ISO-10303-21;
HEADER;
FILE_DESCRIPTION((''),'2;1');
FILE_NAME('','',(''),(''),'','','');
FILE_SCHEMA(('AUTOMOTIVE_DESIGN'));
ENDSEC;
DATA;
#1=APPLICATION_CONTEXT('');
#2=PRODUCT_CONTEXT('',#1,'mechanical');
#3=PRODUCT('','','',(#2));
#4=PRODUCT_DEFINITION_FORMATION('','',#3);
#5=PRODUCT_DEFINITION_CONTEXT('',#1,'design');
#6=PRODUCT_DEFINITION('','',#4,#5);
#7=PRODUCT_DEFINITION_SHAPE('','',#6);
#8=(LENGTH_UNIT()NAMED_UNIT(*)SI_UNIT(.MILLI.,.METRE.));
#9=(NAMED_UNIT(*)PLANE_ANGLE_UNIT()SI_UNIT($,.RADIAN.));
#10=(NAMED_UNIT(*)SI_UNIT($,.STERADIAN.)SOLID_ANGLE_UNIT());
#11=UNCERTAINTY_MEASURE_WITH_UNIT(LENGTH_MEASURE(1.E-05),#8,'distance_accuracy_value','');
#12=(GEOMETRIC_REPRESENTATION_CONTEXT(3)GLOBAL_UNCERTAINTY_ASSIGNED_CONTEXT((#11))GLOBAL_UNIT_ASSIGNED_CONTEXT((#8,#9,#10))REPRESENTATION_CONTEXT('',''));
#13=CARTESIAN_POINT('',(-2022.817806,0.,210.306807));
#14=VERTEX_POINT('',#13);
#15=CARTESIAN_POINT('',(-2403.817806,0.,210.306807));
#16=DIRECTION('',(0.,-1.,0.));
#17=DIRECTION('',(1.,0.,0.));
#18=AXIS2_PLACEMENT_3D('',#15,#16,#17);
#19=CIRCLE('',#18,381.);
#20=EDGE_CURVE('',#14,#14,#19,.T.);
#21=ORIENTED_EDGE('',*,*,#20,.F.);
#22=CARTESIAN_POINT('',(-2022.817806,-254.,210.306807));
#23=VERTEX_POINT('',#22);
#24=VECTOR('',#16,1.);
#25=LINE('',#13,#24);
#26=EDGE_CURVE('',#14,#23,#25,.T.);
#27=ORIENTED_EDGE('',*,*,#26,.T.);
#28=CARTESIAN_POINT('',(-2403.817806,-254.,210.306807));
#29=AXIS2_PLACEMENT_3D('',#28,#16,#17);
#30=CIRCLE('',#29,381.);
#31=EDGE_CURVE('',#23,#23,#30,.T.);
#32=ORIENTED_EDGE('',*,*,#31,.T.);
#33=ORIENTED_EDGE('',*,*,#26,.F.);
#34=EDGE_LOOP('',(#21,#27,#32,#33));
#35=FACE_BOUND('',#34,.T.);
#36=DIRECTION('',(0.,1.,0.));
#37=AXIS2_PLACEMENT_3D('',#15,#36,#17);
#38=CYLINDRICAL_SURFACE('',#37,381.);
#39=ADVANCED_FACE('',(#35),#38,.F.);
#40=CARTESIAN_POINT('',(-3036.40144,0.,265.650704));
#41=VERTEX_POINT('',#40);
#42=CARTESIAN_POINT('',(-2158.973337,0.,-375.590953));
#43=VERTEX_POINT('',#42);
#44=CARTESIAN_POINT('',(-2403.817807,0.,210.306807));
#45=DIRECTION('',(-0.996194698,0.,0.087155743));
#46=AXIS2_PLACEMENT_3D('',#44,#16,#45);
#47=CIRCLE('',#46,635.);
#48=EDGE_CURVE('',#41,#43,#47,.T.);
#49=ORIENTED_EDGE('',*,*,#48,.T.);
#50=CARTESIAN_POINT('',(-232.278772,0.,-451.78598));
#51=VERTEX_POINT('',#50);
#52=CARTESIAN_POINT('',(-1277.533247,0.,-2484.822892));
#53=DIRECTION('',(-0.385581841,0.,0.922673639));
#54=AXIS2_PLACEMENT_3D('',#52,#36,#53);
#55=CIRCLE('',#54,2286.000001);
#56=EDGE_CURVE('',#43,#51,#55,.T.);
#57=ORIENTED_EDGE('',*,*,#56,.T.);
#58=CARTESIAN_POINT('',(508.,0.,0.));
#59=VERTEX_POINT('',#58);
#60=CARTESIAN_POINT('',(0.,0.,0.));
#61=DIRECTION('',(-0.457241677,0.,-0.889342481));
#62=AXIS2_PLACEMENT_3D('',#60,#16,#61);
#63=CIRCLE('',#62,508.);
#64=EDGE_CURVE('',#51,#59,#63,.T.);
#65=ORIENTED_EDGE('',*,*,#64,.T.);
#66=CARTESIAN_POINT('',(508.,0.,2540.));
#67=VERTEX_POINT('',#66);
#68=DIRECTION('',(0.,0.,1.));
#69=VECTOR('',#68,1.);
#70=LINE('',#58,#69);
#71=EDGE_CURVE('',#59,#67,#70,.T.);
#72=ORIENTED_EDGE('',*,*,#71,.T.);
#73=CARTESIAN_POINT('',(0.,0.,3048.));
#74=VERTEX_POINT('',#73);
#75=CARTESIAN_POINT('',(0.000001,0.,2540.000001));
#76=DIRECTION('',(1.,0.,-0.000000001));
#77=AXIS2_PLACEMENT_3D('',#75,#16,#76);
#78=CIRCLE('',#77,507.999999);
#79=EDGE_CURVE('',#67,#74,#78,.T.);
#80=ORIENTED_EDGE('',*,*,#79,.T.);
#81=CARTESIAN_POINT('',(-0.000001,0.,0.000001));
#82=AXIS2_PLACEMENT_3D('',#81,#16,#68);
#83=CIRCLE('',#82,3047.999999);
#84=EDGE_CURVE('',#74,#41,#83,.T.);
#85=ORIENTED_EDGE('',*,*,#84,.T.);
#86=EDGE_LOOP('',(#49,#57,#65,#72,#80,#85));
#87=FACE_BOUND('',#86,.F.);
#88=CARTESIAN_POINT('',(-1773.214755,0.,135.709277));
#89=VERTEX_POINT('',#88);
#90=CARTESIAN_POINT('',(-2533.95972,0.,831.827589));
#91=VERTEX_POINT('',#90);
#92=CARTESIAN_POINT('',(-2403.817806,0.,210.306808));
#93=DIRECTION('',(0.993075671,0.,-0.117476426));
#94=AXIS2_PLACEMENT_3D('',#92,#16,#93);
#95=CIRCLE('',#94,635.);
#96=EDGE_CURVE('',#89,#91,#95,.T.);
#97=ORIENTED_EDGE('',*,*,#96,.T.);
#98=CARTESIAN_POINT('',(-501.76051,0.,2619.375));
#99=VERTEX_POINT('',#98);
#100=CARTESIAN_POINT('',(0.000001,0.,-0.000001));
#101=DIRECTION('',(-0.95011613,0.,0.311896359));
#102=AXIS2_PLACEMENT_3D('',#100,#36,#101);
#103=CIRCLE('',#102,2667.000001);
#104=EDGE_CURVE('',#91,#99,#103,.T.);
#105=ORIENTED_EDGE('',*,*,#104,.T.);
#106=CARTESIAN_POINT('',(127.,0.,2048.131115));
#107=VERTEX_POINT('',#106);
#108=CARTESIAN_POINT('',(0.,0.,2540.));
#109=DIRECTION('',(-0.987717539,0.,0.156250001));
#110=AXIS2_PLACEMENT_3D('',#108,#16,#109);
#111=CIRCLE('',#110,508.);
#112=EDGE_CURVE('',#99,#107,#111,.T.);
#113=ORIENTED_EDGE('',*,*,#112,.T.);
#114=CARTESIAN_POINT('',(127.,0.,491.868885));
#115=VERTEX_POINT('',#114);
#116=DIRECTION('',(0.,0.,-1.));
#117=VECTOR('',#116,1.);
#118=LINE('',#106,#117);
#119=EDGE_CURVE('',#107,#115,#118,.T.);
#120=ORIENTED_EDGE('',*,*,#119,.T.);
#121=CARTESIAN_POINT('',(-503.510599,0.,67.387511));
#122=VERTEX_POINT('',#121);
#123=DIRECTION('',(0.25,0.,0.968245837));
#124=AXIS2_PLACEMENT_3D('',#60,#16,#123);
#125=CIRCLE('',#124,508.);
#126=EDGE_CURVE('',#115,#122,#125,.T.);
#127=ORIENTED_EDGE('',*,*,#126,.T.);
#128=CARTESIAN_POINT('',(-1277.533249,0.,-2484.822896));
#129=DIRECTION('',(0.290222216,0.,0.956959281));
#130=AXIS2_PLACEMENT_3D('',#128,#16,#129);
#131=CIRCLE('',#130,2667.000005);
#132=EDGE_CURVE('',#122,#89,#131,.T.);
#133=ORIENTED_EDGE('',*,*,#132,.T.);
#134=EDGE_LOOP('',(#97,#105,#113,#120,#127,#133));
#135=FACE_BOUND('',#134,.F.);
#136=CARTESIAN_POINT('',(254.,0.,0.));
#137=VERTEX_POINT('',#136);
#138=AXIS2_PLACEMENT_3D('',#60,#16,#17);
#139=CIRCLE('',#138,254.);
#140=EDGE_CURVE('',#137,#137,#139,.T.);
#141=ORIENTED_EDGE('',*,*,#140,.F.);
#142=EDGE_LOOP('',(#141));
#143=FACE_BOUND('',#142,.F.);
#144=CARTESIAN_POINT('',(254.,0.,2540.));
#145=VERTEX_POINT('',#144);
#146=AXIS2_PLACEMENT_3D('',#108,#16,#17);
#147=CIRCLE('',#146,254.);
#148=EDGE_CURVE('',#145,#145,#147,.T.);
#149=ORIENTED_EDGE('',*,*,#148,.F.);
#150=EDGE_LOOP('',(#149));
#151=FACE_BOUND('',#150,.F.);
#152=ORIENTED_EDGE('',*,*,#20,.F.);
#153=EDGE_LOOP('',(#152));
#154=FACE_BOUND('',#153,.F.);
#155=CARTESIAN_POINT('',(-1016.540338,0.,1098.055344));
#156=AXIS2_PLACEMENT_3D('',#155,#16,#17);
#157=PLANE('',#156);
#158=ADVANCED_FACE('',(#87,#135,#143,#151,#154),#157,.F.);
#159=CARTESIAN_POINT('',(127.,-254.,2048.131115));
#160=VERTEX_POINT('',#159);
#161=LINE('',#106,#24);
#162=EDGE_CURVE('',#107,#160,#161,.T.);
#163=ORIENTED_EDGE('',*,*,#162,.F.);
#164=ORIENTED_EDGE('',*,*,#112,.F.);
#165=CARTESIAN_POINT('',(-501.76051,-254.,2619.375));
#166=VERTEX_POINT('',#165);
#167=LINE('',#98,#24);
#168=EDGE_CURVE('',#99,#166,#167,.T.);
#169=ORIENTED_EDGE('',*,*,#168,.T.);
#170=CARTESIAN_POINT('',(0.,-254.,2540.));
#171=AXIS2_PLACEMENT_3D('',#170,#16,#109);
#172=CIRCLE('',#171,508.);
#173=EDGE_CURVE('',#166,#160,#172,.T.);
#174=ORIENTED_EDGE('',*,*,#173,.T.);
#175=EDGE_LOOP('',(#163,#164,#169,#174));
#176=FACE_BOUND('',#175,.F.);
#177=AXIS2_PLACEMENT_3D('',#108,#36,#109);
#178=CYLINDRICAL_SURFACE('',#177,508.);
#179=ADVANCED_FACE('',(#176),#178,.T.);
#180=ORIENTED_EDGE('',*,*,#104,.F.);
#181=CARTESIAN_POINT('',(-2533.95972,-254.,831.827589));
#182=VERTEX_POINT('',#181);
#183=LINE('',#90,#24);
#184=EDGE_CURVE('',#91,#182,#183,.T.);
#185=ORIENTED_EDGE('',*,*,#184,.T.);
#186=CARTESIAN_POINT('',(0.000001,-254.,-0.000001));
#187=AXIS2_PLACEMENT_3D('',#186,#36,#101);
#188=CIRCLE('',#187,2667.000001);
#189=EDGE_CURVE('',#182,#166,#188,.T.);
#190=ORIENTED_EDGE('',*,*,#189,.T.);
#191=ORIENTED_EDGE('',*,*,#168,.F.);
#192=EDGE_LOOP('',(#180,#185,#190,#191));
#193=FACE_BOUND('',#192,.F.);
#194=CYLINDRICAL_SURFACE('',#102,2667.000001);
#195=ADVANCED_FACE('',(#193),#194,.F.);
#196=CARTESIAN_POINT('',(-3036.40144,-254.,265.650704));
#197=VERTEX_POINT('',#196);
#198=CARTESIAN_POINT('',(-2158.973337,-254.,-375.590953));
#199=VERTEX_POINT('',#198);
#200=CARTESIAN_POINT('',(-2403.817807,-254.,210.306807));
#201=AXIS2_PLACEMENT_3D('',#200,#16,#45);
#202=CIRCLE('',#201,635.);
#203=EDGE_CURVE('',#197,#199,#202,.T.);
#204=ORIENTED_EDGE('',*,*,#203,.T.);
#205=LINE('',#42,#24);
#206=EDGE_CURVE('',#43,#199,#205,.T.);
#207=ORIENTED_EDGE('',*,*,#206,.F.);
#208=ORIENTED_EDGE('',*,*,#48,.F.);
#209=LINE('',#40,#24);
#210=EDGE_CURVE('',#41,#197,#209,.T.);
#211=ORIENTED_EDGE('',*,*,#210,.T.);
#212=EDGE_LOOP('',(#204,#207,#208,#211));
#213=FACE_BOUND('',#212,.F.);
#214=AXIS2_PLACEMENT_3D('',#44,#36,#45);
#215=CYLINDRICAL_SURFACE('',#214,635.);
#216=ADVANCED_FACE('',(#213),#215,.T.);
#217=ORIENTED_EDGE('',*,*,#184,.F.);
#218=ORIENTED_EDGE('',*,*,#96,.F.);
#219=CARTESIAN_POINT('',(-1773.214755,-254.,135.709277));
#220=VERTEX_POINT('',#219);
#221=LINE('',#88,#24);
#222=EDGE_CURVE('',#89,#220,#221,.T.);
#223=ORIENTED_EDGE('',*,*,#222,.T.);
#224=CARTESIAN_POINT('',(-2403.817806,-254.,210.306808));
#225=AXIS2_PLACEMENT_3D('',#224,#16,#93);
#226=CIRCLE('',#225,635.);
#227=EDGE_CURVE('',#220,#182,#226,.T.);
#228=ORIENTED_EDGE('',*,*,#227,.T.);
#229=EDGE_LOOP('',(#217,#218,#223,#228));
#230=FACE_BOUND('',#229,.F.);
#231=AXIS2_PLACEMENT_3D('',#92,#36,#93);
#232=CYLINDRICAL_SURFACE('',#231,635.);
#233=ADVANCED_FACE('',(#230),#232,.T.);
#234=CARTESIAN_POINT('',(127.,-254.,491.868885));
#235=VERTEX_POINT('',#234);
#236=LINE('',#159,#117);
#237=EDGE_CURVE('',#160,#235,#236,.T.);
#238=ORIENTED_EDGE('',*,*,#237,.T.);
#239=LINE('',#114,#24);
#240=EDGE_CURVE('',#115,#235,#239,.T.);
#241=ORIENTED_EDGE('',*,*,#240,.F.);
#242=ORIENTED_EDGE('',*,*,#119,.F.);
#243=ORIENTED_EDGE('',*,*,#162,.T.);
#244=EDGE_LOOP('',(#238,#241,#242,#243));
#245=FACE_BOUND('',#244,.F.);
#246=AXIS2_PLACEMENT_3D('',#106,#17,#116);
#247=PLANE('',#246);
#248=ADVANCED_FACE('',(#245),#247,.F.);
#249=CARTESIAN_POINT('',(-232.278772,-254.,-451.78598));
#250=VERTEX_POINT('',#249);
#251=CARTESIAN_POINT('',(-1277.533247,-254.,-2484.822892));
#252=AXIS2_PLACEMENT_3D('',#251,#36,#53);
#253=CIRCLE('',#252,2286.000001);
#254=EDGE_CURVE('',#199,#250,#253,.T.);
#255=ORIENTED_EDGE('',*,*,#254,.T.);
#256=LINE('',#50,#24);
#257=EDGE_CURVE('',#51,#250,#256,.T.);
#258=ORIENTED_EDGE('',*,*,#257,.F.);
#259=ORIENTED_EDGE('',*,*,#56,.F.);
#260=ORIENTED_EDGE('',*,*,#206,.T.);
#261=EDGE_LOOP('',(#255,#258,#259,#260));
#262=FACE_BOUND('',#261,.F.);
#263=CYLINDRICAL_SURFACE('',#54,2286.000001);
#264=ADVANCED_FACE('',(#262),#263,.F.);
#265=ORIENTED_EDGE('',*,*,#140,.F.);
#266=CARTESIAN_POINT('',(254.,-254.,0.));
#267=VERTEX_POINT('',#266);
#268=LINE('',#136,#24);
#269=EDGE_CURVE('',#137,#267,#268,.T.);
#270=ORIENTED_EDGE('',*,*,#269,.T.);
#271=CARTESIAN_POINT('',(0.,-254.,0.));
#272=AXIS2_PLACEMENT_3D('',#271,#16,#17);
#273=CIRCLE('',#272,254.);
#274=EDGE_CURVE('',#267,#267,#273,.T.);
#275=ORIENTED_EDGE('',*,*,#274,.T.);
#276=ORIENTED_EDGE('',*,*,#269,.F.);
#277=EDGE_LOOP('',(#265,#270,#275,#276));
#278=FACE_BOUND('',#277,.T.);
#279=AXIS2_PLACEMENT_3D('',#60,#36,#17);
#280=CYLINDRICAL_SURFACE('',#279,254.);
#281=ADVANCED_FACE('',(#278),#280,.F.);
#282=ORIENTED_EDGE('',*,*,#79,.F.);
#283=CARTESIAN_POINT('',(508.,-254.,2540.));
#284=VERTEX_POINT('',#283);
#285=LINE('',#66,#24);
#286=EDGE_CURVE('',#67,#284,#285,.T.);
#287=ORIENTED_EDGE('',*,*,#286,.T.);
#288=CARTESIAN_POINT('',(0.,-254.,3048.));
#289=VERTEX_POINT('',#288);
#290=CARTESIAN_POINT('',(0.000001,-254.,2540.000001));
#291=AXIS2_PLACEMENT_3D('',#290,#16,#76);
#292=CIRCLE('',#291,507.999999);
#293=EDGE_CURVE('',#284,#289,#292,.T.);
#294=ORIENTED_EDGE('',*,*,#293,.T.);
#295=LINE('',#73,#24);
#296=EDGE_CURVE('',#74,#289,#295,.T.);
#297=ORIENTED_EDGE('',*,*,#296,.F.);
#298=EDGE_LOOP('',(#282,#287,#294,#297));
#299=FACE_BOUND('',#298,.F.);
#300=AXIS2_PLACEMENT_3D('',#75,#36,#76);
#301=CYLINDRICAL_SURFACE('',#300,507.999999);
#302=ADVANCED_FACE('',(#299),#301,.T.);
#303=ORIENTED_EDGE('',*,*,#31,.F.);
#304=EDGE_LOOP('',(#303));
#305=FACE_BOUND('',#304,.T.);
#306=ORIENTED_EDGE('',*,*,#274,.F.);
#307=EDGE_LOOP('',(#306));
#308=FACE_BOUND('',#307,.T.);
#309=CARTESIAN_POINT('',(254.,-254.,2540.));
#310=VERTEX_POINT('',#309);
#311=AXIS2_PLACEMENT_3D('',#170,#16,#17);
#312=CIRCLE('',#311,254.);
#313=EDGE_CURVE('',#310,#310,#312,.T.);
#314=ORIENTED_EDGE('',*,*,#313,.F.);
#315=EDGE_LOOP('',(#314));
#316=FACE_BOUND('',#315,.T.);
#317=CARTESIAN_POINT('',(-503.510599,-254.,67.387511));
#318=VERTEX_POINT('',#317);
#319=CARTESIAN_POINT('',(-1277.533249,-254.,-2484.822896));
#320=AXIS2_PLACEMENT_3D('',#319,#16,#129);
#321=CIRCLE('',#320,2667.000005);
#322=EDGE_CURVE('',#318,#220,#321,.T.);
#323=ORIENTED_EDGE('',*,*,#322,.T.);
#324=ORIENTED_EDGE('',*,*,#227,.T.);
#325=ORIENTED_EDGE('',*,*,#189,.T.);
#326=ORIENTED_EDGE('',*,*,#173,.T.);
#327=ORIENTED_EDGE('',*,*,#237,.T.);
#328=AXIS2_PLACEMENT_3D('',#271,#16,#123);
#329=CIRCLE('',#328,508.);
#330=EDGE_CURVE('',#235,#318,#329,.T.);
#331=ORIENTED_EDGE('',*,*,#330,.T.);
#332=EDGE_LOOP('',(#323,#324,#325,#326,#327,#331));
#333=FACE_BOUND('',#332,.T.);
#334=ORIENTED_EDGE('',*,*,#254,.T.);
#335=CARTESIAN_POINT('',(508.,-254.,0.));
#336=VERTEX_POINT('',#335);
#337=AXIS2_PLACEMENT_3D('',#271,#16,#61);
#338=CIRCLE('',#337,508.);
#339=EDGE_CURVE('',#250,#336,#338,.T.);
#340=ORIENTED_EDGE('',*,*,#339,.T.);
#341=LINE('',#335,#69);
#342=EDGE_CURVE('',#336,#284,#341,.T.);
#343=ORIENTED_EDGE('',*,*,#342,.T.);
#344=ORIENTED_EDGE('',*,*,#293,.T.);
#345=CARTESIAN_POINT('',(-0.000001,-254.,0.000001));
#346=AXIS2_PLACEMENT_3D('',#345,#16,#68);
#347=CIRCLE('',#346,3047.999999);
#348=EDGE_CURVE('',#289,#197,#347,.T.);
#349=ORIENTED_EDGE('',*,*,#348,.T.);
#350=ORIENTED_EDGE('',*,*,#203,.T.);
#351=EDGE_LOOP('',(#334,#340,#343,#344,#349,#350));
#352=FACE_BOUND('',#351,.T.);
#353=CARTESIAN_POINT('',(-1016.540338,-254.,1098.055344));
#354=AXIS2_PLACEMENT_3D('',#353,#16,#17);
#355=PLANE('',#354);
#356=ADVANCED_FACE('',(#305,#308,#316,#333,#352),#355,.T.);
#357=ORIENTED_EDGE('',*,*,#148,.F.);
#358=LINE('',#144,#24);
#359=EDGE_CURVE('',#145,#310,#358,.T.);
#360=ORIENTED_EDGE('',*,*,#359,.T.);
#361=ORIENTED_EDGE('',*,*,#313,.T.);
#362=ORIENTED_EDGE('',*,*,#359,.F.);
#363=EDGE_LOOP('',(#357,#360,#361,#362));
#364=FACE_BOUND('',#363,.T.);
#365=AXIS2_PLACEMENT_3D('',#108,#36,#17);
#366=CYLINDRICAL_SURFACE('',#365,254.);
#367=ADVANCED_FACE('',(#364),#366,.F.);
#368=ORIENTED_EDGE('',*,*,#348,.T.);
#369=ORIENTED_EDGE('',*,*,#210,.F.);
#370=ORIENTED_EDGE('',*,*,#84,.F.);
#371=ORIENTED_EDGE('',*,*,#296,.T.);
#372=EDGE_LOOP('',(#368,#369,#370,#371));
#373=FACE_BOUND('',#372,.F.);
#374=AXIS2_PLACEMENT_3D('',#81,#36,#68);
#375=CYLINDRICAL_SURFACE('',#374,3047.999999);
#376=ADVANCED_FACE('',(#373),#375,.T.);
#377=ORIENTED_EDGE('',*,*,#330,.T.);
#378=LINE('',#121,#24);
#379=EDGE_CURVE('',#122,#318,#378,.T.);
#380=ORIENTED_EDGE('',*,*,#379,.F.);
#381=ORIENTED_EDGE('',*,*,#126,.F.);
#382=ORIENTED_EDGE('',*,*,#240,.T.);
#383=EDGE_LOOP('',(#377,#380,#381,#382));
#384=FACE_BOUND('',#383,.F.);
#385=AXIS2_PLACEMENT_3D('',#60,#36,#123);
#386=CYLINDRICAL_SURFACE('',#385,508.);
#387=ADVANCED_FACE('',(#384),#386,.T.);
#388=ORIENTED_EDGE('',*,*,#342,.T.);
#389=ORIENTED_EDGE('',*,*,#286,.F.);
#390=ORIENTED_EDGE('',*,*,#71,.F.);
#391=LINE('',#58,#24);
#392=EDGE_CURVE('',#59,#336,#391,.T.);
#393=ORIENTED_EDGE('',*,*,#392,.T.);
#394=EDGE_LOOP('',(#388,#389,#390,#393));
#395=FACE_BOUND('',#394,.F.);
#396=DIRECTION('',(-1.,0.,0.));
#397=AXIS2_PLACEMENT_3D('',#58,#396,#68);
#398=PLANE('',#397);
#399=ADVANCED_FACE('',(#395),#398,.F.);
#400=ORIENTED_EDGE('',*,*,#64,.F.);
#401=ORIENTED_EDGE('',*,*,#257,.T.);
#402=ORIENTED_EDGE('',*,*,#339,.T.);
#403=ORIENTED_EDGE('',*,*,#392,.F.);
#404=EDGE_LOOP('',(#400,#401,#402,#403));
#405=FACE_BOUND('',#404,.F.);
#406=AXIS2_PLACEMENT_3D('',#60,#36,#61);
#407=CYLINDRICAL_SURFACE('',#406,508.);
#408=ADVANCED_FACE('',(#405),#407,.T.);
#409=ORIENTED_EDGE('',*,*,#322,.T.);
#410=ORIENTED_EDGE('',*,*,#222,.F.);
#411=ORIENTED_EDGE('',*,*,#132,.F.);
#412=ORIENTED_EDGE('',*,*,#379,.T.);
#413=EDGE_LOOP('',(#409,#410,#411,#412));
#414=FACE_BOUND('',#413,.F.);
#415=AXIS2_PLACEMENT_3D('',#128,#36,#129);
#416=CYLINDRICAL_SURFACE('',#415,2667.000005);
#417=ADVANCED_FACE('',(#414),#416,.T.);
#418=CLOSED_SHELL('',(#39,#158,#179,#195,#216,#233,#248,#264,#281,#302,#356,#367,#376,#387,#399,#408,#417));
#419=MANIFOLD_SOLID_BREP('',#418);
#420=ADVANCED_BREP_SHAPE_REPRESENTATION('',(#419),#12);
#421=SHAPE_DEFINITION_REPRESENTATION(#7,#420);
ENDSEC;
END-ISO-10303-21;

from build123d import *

# Parameters (mm, degrees)
F0_R     = 381
F0_R_2   = 254
F1_DEPTH = 254


with BuildPart() as f1:
    # F0 (on Front) → F1 (new body)
    with BuildSketch(Plane.XZ):
        with BuildLine():
            ThreePointArc((-2158.973337, -375.590953), (-1187.199374, -200.608411), (-232.278772, -451.78598))
            ThreePointArc((-232.278772, -451.78598), (264.63785, -433.625193), (508, 0))
            Line((508, 0), (508, 2540))
            ThreePointArc((508, 2540), (359.210245, 2899.210245), (0, 3048))
            ThreePointArc((0, 3048), (-2059.198953, 2247.221323), (-3036.40144, 265.650704))
            ThreePointArc((-3036.40144, 265.650704), (-2778.495175, -302.374253), (-2158.973337, -375.590953))
        make_face()
        with Locations((-2403.817806, 210.306807)):
            Circle(F0_R, mode=Mode.SUBTRACT)
        Circle(F0_R_2, mode=Mode.SUBTRACT)
        with BuildLine():
            ThreePointArc((127, 491.868885), (-283.700841, 421.399849), (-503.510599, 67.387511))
            ThreePointArc((-503.510599, 67.387511), (-1134.231421, 178.324417), (-1773.214755, 135.709277))
            ThreePointArc((-1773.214755, 135.709277), (-1975.144838, 678.777176), (-2533.95972, 831.827589))
            ThreePointArc((-2533.95972, 831.827589), (-1761.457001, 2002.537948), (-501.76051, 2619.375))
            ThreePointArc((-501.76051, 2619.375), (-341.601016, 2164.004327), (127, 2048.131115))
            Line((127, 2048.131115), (127, 491.868885))
        make_face(mode=Mode.SUBTRACT)
        with Locations((0, 2540)):
            Circle(F0_R_2, mode=Mode.SUBTRACT)
    extrude(amount=F1_DEPTH)


solid = f1.part
